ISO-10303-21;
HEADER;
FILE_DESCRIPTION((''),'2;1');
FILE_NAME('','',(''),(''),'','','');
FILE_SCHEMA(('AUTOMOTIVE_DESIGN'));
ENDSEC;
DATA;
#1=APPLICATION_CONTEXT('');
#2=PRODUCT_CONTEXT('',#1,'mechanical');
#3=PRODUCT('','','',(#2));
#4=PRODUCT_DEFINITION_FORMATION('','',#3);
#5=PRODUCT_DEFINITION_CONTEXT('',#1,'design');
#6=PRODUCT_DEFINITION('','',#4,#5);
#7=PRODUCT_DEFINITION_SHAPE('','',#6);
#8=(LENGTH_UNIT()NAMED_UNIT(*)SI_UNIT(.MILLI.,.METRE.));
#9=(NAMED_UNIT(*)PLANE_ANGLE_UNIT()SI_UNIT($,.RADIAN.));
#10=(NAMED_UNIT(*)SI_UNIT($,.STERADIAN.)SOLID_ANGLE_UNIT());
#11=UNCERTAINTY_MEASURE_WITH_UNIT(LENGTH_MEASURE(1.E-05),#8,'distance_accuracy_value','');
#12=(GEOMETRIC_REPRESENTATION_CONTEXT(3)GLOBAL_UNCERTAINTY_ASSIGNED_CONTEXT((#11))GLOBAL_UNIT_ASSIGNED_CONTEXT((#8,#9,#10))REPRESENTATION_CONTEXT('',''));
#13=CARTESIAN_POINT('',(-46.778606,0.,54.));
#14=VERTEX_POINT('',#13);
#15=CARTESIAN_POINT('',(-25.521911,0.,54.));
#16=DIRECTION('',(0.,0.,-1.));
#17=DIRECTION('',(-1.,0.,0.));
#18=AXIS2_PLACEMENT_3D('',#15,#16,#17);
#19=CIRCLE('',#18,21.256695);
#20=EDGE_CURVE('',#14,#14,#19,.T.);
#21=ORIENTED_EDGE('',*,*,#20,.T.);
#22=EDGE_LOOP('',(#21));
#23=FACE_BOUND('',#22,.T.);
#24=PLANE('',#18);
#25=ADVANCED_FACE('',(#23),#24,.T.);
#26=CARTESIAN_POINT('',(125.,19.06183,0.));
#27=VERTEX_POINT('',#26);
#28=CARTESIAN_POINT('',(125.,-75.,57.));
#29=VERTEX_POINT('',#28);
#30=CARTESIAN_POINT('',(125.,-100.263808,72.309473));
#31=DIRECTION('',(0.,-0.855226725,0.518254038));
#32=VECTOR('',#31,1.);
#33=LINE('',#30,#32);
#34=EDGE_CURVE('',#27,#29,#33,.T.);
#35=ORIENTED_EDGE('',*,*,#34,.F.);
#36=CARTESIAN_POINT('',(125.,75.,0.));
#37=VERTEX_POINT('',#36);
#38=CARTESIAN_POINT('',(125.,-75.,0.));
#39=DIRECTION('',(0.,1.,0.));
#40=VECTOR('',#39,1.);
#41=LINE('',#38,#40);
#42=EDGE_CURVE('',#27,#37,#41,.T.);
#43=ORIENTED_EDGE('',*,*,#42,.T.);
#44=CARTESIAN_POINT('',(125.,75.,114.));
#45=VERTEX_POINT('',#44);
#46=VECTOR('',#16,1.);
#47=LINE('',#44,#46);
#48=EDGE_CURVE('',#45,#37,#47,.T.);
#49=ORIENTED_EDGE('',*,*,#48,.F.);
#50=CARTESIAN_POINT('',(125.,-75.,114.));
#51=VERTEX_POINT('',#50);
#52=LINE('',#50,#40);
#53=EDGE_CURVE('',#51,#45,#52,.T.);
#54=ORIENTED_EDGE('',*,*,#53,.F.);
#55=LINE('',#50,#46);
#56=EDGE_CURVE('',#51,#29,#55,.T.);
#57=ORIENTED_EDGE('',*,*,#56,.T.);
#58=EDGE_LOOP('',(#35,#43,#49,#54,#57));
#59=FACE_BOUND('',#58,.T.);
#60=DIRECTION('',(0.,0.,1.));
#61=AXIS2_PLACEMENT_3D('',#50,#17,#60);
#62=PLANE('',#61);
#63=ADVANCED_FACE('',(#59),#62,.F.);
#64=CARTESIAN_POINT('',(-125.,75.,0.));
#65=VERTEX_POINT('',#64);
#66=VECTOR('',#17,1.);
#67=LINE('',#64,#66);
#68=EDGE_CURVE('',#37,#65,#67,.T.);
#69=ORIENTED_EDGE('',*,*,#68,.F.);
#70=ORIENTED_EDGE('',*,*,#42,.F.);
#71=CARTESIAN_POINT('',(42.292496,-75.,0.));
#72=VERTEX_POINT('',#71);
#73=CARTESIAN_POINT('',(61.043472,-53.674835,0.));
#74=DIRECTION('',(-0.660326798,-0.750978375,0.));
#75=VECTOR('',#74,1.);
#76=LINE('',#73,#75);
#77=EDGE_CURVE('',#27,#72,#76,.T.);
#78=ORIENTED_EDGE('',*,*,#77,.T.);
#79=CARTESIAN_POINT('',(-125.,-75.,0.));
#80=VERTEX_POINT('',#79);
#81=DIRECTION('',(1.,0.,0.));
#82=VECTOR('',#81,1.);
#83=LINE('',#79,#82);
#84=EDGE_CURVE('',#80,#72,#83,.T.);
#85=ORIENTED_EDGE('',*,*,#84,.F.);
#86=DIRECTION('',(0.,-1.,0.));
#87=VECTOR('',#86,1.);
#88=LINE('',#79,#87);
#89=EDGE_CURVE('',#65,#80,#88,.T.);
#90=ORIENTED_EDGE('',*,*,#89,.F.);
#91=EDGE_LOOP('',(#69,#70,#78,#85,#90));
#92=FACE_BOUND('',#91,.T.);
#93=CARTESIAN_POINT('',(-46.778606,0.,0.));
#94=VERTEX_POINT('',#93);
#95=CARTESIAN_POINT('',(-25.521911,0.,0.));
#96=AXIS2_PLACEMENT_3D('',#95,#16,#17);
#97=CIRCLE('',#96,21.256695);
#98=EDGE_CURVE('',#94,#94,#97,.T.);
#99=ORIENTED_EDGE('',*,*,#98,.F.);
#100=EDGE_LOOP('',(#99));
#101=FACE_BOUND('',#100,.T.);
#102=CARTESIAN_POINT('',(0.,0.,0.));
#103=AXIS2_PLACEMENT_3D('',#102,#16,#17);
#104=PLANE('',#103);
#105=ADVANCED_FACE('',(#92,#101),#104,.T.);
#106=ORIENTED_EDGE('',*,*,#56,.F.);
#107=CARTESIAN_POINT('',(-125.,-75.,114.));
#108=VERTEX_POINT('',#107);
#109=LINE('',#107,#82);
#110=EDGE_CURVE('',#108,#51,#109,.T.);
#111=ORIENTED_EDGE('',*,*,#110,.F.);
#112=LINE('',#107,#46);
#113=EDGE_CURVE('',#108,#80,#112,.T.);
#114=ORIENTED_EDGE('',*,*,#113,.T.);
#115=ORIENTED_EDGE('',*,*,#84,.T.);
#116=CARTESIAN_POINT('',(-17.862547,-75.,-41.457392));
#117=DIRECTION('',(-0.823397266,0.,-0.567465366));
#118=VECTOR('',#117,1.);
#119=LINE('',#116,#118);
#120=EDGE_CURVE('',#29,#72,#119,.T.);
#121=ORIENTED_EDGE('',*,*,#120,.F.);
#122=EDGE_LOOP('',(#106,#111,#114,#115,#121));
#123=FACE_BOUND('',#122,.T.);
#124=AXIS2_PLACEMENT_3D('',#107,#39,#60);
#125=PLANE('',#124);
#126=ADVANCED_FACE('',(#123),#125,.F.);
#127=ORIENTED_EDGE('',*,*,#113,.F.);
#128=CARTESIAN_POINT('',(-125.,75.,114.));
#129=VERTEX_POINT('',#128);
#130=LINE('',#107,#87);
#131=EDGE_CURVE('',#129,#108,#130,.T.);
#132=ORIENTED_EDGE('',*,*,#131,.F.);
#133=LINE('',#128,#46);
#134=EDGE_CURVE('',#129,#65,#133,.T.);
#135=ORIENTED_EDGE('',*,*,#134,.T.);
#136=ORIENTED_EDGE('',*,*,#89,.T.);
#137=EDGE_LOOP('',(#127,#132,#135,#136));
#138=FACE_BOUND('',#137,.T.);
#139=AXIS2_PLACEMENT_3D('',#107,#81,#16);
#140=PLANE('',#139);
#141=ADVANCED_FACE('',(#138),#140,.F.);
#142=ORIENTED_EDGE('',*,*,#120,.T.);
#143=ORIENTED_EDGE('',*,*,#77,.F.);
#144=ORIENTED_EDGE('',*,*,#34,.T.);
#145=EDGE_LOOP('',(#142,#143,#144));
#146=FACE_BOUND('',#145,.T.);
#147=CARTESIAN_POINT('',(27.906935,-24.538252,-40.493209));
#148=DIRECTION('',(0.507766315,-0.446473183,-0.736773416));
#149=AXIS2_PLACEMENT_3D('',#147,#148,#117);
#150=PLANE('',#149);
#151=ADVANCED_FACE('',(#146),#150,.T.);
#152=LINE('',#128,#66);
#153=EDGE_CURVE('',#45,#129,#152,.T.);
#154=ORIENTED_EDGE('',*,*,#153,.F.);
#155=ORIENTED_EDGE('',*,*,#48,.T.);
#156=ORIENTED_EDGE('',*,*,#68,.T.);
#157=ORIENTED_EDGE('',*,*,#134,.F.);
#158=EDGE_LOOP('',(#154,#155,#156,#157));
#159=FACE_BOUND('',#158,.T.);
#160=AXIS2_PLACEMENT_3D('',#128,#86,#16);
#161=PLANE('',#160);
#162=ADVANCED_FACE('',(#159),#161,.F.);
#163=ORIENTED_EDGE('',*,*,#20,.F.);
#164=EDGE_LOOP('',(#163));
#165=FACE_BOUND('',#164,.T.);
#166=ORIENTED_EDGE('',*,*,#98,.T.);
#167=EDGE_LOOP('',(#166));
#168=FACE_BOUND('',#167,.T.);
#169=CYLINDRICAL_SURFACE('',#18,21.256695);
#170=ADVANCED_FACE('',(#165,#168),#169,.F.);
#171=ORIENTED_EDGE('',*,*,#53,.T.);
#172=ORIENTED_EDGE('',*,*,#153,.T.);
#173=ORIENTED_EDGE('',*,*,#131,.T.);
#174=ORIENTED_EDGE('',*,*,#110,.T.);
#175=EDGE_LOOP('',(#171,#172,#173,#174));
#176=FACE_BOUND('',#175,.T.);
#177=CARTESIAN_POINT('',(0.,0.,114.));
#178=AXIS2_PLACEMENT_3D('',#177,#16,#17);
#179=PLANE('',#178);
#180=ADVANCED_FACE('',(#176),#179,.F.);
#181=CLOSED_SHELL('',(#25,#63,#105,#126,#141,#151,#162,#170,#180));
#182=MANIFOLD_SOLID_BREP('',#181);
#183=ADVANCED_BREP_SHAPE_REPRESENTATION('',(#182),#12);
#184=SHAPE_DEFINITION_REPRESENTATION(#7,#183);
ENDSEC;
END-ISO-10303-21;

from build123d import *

# Parameters (mm, degrees)
SKETCH1_W           = 250
SKETCH1_H           = 150
BOSS_EXTRUDE1_DEPTH = 114
SKETCH4_W           = 158.825989779
SKETCH4_H           = 169.09880145
CUT_EXTRUDE1_DEPTH  = 114
SKETCH5_R           = 21.25669472
CUT_EXTRUDE2_DEPTH  = 54


with BuildPart() as part:
    # Sketch1 → Boss-Extrude1 (new body)
    with BuildSketch(Plane.XY):
        Rectangle(SKETCH1_W, SKETCH1_H)
    extrude(amount=BOSS_EXTRUDE1_DEPTH)

    # Sketch4 → Cut-Extrude1 (cut)
    with BuildSketch(Plane(origin=(27.906934923, -24.538252492, -40.49320945), x_dir=(0.8614948455361232, 0.2631519435385569, 0.4342553231988889), z_dir=(-0.5077663154588844, 0.4464731827403718, 0.7367734156299286))):
        with Locations((63.082324951, -59.282681283)):
            Rectangle(SKETCH4_W, SKETCH4_H)
    extrude(amount=-CUT_EXTRUDE1_DEPTH, mode=Mode.SUBTRACT)

    # Sketch5 → Cut-Extrude2 (cut)
    with BuildSketch(Plane(origin=(0, 0, 0), x_dir=(-1, 0, 0), z_dir=(0, 0, -1))):
        with Locations((25.521911399, 0)):
            Circle(SKETCH5_R)
    extrude(amount=-CUT_EXTRUDE2_DEPTH, mode=Mode.SUBTRACT)


solid = part.part
